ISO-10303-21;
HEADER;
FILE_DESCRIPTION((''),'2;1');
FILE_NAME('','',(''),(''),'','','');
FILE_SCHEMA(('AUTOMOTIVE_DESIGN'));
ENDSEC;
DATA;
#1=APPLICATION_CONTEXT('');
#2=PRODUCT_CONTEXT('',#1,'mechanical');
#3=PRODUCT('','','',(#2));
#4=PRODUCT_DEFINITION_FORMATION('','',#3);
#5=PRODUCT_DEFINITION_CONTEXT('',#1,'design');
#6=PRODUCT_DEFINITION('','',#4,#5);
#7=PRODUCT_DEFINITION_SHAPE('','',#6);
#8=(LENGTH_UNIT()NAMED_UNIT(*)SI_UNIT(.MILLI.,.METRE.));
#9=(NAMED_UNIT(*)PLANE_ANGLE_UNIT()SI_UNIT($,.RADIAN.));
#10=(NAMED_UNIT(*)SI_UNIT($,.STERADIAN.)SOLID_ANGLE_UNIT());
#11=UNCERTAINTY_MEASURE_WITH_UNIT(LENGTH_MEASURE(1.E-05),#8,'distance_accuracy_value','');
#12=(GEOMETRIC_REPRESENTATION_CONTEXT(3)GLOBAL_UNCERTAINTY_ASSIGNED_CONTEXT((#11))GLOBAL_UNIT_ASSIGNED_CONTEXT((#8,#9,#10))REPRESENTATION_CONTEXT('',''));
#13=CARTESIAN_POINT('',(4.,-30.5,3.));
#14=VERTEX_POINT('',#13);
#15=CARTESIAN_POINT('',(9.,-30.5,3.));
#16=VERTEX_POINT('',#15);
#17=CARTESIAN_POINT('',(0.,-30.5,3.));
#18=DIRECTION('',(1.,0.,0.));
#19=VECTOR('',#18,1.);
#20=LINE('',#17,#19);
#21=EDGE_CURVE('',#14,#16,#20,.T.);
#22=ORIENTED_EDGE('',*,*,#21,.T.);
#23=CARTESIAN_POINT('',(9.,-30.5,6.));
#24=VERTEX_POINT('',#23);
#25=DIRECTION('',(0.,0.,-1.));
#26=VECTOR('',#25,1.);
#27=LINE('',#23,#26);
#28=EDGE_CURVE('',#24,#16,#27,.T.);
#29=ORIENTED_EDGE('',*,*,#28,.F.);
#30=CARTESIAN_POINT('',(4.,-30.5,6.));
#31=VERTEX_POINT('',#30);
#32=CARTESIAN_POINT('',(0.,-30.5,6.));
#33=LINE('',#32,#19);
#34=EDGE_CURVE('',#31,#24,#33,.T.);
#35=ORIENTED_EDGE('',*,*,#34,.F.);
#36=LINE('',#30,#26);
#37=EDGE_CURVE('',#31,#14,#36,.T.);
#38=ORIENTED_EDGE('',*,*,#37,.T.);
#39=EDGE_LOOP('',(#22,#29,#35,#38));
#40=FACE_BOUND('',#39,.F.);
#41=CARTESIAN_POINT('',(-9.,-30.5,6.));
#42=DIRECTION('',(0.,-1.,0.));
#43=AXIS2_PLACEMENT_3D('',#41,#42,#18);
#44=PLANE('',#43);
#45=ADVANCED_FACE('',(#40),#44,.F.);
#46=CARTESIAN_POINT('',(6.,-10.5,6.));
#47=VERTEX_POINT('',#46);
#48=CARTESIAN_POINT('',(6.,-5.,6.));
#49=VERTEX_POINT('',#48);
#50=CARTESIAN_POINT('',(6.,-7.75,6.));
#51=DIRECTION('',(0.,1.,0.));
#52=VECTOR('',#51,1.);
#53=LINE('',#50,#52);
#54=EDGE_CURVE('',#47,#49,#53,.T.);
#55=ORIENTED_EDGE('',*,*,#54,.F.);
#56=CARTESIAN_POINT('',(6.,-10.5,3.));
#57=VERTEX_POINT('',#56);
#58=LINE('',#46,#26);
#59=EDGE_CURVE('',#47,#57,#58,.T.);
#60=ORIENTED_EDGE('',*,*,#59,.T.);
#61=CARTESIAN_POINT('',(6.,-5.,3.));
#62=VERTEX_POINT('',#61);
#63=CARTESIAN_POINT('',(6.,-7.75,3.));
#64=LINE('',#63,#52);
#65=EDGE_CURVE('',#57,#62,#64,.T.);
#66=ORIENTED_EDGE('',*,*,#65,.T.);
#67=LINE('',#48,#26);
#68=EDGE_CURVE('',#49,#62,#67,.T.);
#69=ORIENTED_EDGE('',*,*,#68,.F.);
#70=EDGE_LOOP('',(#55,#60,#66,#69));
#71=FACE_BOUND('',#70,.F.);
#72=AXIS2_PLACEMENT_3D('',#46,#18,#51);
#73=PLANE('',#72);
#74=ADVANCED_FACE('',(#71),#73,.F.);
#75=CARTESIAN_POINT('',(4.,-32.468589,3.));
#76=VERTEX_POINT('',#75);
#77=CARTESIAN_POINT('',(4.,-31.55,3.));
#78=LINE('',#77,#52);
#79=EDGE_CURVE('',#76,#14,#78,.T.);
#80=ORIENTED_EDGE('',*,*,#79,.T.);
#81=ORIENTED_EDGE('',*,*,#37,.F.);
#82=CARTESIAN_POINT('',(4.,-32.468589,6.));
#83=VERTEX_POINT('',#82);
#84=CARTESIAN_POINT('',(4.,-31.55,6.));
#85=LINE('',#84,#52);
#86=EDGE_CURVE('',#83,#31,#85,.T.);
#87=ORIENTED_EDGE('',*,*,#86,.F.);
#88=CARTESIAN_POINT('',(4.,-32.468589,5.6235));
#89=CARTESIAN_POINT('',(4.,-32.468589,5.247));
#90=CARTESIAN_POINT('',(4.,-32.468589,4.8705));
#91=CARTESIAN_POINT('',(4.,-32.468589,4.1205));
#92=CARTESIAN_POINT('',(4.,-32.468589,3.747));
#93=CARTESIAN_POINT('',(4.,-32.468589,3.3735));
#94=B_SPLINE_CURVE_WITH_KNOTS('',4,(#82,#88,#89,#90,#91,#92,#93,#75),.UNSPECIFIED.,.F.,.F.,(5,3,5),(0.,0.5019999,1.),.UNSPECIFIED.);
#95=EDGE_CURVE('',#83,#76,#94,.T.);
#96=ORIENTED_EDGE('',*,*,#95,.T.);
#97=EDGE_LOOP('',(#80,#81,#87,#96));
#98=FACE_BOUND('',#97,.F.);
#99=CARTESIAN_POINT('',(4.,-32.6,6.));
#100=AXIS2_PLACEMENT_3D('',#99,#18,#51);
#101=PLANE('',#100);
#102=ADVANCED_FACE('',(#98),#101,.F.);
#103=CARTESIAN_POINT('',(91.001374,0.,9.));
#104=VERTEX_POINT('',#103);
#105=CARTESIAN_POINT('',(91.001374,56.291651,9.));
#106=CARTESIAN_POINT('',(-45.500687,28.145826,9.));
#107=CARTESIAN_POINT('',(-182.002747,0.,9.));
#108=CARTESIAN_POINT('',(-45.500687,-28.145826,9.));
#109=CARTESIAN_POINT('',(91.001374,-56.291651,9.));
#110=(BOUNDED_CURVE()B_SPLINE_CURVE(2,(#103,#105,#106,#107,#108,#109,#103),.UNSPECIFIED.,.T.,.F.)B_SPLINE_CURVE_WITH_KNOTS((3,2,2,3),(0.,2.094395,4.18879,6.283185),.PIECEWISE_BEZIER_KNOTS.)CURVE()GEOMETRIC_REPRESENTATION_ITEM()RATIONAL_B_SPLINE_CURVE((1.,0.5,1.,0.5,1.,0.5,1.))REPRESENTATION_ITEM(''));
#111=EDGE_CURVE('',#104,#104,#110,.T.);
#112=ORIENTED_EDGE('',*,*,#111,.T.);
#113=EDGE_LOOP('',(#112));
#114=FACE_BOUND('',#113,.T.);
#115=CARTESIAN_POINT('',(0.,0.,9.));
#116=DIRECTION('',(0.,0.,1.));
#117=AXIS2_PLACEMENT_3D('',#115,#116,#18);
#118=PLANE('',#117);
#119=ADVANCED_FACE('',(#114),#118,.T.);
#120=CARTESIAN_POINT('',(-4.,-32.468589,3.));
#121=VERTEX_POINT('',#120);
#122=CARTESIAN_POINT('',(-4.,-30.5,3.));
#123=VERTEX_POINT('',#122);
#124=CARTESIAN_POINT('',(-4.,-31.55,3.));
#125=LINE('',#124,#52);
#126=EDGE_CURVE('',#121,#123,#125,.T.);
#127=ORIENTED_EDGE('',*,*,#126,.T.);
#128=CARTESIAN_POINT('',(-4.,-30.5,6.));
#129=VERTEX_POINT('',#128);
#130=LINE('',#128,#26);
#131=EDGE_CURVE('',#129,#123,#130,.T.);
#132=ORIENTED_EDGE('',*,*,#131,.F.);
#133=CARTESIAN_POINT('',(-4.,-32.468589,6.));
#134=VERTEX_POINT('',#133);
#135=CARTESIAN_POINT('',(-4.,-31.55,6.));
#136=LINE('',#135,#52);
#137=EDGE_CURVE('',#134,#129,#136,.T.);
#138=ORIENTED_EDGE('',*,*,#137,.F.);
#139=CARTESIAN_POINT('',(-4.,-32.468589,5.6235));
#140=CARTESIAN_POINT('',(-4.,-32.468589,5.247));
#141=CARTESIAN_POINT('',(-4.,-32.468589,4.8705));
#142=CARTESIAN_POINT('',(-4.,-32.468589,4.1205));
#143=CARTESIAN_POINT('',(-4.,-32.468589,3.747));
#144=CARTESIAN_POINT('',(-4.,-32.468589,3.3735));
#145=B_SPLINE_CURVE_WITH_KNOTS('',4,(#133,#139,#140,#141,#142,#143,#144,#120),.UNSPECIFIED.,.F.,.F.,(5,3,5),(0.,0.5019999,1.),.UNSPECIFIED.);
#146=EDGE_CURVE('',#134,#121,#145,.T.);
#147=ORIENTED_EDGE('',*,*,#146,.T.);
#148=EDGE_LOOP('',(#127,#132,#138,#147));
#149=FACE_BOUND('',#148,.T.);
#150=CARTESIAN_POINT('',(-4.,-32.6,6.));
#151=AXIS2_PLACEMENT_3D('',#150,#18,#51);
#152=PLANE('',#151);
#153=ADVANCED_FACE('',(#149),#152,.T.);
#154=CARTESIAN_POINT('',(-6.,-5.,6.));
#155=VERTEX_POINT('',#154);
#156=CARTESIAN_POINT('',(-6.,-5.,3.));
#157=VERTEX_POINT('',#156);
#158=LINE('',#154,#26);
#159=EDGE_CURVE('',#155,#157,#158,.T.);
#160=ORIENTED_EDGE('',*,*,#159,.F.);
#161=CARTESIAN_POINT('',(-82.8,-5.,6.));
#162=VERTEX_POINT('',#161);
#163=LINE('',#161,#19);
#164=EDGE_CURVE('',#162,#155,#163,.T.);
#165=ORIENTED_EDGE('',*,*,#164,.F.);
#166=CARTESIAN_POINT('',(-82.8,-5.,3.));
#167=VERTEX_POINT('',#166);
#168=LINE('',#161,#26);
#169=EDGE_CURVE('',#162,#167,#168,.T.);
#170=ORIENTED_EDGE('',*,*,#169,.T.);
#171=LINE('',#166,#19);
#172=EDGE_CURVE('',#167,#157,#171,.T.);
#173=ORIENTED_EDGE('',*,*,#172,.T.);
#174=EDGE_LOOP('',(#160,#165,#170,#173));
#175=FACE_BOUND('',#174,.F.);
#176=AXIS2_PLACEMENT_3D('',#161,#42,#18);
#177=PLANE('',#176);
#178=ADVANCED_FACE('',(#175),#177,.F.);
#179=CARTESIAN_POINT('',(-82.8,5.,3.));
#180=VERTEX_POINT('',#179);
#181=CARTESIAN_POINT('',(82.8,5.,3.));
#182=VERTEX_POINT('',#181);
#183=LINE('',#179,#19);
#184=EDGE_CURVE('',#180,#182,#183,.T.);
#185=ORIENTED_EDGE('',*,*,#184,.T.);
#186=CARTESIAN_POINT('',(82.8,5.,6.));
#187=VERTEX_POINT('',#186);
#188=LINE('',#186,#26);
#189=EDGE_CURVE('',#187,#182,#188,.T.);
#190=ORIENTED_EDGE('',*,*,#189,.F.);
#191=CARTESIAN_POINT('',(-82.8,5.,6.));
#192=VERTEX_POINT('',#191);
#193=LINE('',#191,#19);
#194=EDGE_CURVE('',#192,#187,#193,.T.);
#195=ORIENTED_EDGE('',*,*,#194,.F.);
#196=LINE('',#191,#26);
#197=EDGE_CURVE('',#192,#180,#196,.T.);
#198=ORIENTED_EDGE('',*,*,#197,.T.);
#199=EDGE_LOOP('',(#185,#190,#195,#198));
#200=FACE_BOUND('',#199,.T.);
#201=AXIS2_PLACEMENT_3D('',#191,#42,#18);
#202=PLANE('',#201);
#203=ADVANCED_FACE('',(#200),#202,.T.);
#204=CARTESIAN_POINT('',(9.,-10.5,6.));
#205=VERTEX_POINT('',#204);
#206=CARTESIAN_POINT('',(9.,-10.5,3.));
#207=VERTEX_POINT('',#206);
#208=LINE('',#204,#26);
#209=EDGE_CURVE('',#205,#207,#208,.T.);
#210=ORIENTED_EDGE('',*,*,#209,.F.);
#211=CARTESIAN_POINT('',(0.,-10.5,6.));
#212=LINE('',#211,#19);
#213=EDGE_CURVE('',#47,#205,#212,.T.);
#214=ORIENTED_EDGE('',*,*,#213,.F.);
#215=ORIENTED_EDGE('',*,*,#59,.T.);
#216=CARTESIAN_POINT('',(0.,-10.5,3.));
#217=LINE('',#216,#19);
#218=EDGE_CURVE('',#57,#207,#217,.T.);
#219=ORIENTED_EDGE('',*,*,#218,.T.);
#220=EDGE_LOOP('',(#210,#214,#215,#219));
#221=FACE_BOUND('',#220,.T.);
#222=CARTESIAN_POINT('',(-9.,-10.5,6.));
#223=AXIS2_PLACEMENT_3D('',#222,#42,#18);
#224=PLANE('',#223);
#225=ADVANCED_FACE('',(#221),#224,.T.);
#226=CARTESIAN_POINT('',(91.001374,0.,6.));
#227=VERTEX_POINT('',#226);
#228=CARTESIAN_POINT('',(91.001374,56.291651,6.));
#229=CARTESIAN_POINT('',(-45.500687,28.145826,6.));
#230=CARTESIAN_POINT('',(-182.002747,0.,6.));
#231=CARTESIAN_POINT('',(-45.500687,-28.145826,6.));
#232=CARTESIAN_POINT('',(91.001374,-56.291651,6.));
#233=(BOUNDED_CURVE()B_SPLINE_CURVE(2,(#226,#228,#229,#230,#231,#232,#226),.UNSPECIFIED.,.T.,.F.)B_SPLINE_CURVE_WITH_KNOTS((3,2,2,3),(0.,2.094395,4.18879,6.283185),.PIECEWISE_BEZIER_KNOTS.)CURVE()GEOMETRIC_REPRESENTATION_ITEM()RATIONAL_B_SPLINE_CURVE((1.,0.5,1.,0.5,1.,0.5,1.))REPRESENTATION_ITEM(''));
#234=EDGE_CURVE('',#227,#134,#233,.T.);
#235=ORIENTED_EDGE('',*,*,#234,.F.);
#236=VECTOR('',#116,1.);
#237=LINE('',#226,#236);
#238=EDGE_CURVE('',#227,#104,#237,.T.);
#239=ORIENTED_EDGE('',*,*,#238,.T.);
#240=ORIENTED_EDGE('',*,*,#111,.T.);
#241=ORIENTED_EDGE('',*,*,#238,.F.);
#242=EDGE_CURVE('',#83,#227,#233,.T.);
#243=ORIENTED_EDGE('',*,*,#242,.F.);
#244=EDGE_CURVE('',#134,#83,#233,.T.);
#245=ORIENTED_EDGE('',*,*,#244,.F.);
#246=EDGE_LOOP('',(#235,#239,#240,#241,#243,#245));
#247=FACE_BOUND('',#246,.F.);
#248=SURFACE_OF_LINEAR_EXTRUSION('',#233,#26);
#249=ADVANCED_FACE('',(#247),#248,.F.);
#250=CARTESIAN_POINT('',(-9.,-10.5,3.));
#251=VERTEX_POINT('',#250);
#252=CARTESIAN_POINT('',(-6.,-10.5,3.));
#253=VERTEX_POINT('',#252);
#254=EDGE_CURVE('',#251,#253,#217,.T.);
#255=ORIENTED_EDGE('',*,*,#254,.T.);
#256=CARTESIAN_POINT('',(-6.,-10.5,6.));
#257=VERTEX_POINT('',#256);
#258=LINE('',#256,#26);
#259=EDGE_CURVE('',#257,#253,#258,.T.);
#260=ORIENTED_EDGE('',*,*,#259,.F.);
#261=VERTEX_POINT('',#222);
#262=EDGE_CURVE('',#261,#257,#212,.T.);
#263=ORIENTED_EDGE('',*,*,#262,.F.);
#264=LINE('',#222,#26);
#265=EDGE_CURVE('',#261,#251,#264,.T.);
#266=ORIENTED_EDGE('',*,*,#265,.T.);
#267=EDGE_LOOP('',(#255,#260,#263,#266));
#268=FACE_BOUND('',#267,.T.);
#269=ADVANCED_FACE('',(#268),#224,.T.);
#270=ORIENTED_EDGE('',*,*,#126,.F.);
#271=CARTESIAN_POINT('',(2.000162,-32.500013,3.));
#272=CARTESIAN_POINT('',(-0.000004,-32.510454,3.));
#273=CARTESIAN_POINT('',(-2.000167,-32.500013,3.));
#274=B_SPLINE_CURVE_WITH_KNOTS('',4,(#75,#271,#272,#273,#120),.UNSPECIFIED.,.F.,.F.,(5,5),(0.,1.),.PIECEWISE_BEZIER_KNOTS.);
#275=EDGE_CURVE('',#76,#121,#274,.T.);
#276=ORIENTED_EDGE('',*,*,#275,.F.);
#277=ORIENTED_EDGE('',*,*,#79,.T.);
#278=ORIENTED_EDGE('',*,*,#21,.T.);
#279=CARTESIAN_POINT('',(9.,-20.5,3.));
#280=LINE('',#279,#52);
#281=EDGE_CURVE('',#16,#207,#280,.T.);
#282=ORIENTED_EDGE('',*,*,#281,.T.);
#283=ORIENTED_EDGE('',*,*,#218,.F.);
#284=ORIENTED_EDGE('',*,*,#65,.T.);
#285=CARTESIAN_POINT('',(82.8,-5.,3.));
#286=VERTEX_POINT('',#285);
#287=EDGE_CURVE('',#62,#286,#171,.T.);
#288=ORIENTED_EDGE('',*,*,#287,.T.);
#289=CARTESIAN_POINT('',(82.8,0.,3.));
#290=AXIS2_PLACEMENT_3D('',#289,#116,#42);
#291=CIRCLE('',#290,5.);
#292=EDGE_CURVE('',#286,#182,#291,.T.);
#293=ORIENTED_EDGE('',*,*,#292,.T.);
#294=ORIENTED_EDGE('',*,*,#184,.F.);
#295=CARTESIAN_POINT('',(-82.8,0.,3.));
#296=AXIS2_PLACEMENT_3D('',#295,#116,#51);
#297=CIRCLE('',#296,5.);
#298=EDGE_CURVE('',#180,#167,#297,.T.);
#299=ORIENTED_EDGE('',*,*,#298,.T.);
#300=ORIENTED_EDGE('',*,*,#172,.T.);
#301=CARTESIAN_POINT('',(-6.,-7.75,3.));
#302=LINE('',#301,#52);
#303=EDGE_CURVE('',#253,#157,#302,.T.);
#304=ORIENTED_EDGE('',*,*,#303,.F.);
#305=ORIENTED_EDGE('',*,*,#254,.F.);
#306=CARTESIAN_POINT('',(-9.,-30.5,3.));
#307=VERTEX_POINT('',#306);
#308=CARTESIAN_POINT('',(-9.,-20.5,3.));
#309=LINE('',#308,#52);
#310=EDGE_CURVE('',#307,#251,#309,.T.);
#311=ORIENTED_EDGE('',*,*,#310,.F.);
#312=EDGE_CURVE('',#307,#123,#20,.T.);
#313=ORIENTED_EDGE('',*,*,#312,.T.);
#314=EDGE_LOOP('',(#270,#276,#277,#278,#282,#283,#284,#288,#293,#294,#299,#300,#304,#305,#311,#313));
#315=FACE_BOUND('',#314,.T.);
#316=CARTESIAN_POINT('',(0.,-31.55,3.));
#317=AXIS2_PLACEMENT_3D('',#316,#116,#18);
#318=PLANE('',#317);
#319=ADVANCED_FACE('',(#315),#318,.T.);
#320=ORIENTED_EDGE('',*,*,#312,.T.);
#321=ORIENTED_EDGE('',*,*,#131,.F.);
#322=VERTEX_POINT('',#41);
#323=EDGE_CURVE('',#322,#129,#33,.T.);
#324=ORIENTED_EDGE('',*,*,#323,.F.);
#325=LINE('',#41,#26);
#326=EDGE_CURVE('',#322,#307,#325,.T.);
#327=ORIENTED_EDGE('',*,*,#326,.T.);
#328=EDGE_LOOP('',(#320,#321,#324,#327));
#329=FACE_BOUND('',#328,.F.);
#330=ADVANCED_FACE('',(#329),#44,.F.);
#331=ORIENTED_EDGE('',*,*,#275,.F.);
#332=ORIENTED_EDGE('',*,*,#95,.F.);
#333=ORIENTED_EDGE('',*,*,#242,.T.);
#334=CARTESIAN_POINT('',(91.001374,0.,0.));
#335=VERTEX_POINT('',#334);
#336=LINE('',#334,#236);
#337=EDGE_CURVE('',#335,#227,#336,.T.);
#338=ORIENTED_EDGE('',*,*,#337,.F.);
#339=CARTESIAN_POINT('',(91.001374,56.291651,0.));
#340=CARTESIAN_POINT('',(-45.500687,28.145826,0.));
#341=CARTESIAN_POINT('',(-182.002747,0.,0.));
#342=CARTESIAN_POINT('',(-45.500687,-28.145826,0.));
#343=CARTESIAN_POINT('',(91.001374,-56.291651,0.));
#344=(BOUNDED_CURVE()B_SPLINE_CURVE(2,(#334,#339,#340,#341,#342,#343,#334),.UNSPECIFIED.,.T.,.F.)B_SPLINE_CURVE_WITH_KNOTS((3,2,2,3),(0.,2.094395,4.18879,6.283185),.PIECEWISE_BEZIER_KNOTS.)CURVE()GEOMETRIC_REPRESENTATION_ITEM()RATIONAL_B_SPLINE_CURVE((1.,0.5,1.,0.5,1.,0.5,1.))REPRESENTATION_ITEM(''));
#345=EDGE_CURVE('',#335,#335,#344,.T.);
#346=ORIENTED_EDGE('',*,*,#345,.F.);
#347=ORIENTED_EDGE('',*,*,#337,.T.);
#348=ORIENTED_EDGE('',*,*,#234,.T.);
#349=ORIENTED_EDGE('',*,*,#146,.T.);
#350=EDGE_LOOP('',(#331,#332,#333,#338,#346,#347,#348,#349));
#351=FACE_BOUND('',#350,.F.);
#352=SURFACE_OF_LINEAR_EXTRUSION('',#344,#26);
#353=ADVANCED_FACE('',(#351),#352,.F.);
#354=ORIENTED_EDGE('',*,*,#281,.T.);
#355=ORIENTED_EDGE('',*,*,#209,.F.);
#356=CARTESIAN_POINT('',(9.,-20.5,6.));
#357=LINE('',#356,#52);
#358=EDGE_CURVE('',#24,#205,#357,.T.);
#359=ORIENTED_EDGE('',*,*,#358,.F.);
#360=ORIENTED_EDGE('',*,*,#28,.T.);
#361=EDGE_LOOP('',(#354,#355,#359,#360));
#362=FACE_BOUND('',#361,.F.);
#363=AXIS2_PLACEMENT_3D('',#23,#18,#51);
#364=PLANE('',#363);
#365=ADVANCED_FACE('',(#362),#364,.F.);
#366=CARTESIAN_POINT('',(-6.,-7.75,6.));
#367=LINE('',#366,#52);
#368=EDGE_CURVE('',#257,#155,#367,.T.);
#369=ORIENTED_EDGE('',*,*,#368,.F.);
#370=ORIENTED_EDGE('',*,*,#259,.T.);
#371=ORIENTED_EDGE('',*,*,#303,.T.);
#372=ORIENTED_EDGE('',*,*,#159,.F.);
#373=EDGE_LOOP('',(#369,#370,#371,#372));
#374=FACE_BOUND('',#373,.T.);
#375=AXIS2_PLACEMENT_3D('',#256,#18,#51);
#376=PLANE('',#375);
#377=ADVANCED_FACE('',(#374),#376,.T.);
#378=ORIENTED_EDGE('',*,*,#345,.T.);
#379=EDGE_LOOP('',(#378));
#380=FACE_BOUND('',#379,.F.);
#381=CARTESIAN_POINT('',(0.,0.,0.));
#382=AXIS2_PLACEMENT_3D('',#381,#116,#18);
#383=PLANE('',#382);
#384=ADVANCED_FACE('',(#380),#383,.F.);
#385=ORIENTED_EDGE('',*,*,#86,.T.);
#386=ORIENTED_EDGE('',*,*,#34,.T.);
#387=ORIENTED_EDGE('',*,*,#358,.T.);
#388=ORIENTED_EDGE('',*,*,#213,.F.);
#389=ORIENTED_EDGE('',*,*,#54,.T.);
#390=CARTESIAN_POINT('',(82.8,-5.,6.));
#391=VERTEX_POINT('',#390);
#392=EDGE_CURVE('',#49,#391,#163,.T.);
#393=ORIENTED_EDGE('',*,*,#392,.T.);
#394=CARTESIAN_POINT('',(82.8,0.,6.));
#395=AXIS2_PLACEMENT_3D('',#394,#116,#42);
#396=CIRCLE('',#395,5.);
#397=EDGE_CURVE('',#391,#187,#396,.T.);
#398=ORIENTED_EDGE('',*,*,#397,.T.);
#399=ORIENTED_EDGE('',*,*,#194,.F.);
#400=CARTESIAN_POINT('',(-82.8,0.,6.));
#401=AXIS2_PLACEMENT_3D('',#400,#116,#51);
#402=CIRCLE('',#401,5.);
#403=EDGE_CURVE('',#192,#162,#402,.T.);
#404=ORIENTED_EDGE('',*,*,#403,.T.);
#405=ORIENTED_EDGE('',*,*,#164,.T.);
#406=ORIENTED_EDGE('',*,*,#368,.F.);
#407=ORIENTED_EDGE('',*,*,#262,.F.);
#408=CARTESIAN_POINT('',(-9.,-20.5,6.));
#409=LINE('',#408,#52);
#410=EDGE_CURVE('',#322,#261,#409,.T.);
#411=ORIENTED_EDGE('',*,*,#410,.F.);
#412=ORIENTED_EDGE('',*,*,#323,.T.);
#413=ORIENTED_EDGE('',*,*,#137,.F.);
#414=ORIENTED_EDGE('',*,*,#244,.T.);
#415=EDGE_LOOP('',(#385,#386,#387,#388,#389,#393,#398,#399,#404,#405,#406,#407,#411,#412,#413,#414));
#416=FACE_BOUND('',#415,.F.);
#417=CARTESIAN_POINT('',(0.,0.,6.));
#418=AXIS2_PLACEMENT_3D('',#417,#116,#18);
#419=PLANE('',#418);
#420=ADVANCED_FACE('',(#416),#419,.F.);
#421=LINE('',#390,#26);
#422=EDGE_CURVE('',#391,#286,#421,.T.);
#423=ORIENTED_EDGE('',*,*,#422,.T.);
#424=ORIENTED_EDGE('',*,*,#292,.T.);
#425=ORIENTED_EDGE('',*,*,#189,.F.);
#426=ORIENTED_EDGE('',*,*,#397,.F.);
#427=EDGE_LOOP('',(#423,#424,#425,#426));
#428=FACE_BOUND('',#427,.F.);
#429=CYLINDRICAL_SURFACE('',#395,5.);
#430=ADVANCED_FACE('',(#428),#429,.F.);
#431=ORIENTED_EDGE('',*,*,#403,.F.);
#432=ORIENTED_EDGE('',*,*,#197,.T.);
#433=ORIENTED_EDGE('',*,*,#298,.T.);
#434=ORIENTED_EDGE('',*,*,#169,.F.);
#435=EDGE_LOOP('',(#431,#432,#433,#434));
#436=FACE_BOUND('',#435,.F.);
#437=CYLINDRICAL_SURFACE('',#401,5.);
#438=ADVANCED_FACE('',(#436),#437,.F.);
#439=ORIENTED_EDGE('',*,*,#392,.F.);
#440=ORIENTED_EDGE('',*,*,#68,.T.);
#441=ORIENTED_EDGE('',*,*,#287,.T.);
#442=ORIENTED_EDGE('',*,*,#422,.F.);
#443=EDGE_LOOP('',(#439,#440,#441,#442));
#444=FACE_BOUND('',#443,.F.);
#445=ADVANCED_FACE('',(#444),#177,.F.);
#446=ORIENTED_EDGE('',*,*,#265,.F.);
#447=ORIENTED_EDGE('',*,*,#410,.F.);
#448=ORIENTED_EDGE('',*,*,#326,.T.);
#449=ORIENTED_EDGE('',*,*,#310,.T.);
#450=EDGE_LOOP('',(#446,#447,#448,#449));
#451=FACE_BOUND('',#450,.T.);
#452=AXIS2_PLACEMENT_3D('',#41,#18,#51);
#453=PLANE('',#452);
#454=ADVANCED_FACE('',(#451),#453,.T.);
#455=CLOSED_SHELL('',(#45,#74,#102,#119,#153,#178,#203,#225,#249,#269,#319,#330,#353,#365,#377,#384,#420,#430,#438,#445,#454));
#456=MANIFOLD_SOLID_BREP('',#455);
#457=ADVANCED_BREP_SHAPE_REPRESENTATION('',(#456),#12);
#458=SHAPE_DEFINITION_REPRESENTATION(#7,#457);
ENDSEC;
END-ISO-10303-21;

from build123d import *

# Parameters (mm, degrees)
PAD_DEPTH       = 6
POCKET_DEPTH    = 3
SKETCH002_W     = 18
SKETCH002_H     = 20
POCKET001_DEPTH = 3
SKETCH003_W     = 12
SKETCH003_H     = 5.5
SKETCH003_W_2   = 8
SKETCH003_H_2   = 2.1
POCKET002_DEPTH = 3
PAD001_DEPTH    = 3


with BuildPart() as part:
    # Sketch → Pad (new body)
    with BuildSketch(Plane.XY):
        with BuildLine():
            add(Edge.make_bspline(
                [(91.001374, 0), (91.001374, 56.291651), (-45.500687, 28.145826), (-182.002747, 0), (-45.500687, -28.145826), (91.001374, -56.291651), (91.001374, 0)],
                knots=[0, 0, 0, 2.094395, 2.094395, 4.18879, 4.18879, 6.283185, 6.283185, 6.283185], degree=2, weights=[1, 0.5, 1, 0.5, 1, 0.5, 1]))
        make_face()
    extrude(amount=PAD_DEPTH)

    # Sketch001 (on Face3 of Pad) → Pocket (cut)
    with BuildSketch(Plane.XY.offset(6)):
        with BuildLine():
            ThreePointArc((-82.8, 5), (-87.8, 0), (-82.8, -5))
            Line((-82.8, -5), (82.8, -5))
            ThreePointArc((82.8, -5), (87.8, 0), (82.8, 5))
            Line((-82.8, 5), (82.8, 5))
        make_face()
    extrude(amount=-POCKET_DEPTH, mode=Mode.SUBTRACT)

    # Sketch002 (on Face3 of Pocket) → Pocket001 (cut)
    with BuildSketch(Plane.XY.offset(6)):
        with Locations((0, -20.5)):
            Rectangle(SKETCH002_W, SKETCH002_H)
    extrude(amount=-POCKET001_DEPTH, mode=Mode.SUBTRACT)

    # Sketch003 (on Face3 of Pocket001) → Pocket002 (cut)
    with BuildSketch(Plane.XY.offset(6)):
        with Locations((0, -7.75)):
            Rectangle(SKETCH003_W, SKETCH003_H)
        with Locations((0, -31.55)):
            Rectangle(SKETCH003_W_2, SKETCH003_H_2)
    extrude(amount=-POCKET002_DEPTH, mode=Mode.SUBTRACT)

    # Sketch004 (on Face3 of Pocket002) → Pad001 (join)
    with BuildSketch(Plane.XY.offset(6)):
        with BuildLine():
            add(Edge.make_bspline(
                [(91.001374, 0), (91.001374, 56.291651), (-45.500687, 28.145826), (-182.002747, 0), (-45.500687, -28.145826), (91.001374, -56.291651), (91.001374, 0)],
                knots=[0, 0, 0, 2.094395, 2.094395, 4.18879, 4.18879, 6.283185, 6.283185, 6.283185], degree=2, weights=[1, 0.5, 1, 0.5, 1, 0.5, 1]))
        make_face()
    extrude(amount=PAD001_DEPTH)


solid = part.part
